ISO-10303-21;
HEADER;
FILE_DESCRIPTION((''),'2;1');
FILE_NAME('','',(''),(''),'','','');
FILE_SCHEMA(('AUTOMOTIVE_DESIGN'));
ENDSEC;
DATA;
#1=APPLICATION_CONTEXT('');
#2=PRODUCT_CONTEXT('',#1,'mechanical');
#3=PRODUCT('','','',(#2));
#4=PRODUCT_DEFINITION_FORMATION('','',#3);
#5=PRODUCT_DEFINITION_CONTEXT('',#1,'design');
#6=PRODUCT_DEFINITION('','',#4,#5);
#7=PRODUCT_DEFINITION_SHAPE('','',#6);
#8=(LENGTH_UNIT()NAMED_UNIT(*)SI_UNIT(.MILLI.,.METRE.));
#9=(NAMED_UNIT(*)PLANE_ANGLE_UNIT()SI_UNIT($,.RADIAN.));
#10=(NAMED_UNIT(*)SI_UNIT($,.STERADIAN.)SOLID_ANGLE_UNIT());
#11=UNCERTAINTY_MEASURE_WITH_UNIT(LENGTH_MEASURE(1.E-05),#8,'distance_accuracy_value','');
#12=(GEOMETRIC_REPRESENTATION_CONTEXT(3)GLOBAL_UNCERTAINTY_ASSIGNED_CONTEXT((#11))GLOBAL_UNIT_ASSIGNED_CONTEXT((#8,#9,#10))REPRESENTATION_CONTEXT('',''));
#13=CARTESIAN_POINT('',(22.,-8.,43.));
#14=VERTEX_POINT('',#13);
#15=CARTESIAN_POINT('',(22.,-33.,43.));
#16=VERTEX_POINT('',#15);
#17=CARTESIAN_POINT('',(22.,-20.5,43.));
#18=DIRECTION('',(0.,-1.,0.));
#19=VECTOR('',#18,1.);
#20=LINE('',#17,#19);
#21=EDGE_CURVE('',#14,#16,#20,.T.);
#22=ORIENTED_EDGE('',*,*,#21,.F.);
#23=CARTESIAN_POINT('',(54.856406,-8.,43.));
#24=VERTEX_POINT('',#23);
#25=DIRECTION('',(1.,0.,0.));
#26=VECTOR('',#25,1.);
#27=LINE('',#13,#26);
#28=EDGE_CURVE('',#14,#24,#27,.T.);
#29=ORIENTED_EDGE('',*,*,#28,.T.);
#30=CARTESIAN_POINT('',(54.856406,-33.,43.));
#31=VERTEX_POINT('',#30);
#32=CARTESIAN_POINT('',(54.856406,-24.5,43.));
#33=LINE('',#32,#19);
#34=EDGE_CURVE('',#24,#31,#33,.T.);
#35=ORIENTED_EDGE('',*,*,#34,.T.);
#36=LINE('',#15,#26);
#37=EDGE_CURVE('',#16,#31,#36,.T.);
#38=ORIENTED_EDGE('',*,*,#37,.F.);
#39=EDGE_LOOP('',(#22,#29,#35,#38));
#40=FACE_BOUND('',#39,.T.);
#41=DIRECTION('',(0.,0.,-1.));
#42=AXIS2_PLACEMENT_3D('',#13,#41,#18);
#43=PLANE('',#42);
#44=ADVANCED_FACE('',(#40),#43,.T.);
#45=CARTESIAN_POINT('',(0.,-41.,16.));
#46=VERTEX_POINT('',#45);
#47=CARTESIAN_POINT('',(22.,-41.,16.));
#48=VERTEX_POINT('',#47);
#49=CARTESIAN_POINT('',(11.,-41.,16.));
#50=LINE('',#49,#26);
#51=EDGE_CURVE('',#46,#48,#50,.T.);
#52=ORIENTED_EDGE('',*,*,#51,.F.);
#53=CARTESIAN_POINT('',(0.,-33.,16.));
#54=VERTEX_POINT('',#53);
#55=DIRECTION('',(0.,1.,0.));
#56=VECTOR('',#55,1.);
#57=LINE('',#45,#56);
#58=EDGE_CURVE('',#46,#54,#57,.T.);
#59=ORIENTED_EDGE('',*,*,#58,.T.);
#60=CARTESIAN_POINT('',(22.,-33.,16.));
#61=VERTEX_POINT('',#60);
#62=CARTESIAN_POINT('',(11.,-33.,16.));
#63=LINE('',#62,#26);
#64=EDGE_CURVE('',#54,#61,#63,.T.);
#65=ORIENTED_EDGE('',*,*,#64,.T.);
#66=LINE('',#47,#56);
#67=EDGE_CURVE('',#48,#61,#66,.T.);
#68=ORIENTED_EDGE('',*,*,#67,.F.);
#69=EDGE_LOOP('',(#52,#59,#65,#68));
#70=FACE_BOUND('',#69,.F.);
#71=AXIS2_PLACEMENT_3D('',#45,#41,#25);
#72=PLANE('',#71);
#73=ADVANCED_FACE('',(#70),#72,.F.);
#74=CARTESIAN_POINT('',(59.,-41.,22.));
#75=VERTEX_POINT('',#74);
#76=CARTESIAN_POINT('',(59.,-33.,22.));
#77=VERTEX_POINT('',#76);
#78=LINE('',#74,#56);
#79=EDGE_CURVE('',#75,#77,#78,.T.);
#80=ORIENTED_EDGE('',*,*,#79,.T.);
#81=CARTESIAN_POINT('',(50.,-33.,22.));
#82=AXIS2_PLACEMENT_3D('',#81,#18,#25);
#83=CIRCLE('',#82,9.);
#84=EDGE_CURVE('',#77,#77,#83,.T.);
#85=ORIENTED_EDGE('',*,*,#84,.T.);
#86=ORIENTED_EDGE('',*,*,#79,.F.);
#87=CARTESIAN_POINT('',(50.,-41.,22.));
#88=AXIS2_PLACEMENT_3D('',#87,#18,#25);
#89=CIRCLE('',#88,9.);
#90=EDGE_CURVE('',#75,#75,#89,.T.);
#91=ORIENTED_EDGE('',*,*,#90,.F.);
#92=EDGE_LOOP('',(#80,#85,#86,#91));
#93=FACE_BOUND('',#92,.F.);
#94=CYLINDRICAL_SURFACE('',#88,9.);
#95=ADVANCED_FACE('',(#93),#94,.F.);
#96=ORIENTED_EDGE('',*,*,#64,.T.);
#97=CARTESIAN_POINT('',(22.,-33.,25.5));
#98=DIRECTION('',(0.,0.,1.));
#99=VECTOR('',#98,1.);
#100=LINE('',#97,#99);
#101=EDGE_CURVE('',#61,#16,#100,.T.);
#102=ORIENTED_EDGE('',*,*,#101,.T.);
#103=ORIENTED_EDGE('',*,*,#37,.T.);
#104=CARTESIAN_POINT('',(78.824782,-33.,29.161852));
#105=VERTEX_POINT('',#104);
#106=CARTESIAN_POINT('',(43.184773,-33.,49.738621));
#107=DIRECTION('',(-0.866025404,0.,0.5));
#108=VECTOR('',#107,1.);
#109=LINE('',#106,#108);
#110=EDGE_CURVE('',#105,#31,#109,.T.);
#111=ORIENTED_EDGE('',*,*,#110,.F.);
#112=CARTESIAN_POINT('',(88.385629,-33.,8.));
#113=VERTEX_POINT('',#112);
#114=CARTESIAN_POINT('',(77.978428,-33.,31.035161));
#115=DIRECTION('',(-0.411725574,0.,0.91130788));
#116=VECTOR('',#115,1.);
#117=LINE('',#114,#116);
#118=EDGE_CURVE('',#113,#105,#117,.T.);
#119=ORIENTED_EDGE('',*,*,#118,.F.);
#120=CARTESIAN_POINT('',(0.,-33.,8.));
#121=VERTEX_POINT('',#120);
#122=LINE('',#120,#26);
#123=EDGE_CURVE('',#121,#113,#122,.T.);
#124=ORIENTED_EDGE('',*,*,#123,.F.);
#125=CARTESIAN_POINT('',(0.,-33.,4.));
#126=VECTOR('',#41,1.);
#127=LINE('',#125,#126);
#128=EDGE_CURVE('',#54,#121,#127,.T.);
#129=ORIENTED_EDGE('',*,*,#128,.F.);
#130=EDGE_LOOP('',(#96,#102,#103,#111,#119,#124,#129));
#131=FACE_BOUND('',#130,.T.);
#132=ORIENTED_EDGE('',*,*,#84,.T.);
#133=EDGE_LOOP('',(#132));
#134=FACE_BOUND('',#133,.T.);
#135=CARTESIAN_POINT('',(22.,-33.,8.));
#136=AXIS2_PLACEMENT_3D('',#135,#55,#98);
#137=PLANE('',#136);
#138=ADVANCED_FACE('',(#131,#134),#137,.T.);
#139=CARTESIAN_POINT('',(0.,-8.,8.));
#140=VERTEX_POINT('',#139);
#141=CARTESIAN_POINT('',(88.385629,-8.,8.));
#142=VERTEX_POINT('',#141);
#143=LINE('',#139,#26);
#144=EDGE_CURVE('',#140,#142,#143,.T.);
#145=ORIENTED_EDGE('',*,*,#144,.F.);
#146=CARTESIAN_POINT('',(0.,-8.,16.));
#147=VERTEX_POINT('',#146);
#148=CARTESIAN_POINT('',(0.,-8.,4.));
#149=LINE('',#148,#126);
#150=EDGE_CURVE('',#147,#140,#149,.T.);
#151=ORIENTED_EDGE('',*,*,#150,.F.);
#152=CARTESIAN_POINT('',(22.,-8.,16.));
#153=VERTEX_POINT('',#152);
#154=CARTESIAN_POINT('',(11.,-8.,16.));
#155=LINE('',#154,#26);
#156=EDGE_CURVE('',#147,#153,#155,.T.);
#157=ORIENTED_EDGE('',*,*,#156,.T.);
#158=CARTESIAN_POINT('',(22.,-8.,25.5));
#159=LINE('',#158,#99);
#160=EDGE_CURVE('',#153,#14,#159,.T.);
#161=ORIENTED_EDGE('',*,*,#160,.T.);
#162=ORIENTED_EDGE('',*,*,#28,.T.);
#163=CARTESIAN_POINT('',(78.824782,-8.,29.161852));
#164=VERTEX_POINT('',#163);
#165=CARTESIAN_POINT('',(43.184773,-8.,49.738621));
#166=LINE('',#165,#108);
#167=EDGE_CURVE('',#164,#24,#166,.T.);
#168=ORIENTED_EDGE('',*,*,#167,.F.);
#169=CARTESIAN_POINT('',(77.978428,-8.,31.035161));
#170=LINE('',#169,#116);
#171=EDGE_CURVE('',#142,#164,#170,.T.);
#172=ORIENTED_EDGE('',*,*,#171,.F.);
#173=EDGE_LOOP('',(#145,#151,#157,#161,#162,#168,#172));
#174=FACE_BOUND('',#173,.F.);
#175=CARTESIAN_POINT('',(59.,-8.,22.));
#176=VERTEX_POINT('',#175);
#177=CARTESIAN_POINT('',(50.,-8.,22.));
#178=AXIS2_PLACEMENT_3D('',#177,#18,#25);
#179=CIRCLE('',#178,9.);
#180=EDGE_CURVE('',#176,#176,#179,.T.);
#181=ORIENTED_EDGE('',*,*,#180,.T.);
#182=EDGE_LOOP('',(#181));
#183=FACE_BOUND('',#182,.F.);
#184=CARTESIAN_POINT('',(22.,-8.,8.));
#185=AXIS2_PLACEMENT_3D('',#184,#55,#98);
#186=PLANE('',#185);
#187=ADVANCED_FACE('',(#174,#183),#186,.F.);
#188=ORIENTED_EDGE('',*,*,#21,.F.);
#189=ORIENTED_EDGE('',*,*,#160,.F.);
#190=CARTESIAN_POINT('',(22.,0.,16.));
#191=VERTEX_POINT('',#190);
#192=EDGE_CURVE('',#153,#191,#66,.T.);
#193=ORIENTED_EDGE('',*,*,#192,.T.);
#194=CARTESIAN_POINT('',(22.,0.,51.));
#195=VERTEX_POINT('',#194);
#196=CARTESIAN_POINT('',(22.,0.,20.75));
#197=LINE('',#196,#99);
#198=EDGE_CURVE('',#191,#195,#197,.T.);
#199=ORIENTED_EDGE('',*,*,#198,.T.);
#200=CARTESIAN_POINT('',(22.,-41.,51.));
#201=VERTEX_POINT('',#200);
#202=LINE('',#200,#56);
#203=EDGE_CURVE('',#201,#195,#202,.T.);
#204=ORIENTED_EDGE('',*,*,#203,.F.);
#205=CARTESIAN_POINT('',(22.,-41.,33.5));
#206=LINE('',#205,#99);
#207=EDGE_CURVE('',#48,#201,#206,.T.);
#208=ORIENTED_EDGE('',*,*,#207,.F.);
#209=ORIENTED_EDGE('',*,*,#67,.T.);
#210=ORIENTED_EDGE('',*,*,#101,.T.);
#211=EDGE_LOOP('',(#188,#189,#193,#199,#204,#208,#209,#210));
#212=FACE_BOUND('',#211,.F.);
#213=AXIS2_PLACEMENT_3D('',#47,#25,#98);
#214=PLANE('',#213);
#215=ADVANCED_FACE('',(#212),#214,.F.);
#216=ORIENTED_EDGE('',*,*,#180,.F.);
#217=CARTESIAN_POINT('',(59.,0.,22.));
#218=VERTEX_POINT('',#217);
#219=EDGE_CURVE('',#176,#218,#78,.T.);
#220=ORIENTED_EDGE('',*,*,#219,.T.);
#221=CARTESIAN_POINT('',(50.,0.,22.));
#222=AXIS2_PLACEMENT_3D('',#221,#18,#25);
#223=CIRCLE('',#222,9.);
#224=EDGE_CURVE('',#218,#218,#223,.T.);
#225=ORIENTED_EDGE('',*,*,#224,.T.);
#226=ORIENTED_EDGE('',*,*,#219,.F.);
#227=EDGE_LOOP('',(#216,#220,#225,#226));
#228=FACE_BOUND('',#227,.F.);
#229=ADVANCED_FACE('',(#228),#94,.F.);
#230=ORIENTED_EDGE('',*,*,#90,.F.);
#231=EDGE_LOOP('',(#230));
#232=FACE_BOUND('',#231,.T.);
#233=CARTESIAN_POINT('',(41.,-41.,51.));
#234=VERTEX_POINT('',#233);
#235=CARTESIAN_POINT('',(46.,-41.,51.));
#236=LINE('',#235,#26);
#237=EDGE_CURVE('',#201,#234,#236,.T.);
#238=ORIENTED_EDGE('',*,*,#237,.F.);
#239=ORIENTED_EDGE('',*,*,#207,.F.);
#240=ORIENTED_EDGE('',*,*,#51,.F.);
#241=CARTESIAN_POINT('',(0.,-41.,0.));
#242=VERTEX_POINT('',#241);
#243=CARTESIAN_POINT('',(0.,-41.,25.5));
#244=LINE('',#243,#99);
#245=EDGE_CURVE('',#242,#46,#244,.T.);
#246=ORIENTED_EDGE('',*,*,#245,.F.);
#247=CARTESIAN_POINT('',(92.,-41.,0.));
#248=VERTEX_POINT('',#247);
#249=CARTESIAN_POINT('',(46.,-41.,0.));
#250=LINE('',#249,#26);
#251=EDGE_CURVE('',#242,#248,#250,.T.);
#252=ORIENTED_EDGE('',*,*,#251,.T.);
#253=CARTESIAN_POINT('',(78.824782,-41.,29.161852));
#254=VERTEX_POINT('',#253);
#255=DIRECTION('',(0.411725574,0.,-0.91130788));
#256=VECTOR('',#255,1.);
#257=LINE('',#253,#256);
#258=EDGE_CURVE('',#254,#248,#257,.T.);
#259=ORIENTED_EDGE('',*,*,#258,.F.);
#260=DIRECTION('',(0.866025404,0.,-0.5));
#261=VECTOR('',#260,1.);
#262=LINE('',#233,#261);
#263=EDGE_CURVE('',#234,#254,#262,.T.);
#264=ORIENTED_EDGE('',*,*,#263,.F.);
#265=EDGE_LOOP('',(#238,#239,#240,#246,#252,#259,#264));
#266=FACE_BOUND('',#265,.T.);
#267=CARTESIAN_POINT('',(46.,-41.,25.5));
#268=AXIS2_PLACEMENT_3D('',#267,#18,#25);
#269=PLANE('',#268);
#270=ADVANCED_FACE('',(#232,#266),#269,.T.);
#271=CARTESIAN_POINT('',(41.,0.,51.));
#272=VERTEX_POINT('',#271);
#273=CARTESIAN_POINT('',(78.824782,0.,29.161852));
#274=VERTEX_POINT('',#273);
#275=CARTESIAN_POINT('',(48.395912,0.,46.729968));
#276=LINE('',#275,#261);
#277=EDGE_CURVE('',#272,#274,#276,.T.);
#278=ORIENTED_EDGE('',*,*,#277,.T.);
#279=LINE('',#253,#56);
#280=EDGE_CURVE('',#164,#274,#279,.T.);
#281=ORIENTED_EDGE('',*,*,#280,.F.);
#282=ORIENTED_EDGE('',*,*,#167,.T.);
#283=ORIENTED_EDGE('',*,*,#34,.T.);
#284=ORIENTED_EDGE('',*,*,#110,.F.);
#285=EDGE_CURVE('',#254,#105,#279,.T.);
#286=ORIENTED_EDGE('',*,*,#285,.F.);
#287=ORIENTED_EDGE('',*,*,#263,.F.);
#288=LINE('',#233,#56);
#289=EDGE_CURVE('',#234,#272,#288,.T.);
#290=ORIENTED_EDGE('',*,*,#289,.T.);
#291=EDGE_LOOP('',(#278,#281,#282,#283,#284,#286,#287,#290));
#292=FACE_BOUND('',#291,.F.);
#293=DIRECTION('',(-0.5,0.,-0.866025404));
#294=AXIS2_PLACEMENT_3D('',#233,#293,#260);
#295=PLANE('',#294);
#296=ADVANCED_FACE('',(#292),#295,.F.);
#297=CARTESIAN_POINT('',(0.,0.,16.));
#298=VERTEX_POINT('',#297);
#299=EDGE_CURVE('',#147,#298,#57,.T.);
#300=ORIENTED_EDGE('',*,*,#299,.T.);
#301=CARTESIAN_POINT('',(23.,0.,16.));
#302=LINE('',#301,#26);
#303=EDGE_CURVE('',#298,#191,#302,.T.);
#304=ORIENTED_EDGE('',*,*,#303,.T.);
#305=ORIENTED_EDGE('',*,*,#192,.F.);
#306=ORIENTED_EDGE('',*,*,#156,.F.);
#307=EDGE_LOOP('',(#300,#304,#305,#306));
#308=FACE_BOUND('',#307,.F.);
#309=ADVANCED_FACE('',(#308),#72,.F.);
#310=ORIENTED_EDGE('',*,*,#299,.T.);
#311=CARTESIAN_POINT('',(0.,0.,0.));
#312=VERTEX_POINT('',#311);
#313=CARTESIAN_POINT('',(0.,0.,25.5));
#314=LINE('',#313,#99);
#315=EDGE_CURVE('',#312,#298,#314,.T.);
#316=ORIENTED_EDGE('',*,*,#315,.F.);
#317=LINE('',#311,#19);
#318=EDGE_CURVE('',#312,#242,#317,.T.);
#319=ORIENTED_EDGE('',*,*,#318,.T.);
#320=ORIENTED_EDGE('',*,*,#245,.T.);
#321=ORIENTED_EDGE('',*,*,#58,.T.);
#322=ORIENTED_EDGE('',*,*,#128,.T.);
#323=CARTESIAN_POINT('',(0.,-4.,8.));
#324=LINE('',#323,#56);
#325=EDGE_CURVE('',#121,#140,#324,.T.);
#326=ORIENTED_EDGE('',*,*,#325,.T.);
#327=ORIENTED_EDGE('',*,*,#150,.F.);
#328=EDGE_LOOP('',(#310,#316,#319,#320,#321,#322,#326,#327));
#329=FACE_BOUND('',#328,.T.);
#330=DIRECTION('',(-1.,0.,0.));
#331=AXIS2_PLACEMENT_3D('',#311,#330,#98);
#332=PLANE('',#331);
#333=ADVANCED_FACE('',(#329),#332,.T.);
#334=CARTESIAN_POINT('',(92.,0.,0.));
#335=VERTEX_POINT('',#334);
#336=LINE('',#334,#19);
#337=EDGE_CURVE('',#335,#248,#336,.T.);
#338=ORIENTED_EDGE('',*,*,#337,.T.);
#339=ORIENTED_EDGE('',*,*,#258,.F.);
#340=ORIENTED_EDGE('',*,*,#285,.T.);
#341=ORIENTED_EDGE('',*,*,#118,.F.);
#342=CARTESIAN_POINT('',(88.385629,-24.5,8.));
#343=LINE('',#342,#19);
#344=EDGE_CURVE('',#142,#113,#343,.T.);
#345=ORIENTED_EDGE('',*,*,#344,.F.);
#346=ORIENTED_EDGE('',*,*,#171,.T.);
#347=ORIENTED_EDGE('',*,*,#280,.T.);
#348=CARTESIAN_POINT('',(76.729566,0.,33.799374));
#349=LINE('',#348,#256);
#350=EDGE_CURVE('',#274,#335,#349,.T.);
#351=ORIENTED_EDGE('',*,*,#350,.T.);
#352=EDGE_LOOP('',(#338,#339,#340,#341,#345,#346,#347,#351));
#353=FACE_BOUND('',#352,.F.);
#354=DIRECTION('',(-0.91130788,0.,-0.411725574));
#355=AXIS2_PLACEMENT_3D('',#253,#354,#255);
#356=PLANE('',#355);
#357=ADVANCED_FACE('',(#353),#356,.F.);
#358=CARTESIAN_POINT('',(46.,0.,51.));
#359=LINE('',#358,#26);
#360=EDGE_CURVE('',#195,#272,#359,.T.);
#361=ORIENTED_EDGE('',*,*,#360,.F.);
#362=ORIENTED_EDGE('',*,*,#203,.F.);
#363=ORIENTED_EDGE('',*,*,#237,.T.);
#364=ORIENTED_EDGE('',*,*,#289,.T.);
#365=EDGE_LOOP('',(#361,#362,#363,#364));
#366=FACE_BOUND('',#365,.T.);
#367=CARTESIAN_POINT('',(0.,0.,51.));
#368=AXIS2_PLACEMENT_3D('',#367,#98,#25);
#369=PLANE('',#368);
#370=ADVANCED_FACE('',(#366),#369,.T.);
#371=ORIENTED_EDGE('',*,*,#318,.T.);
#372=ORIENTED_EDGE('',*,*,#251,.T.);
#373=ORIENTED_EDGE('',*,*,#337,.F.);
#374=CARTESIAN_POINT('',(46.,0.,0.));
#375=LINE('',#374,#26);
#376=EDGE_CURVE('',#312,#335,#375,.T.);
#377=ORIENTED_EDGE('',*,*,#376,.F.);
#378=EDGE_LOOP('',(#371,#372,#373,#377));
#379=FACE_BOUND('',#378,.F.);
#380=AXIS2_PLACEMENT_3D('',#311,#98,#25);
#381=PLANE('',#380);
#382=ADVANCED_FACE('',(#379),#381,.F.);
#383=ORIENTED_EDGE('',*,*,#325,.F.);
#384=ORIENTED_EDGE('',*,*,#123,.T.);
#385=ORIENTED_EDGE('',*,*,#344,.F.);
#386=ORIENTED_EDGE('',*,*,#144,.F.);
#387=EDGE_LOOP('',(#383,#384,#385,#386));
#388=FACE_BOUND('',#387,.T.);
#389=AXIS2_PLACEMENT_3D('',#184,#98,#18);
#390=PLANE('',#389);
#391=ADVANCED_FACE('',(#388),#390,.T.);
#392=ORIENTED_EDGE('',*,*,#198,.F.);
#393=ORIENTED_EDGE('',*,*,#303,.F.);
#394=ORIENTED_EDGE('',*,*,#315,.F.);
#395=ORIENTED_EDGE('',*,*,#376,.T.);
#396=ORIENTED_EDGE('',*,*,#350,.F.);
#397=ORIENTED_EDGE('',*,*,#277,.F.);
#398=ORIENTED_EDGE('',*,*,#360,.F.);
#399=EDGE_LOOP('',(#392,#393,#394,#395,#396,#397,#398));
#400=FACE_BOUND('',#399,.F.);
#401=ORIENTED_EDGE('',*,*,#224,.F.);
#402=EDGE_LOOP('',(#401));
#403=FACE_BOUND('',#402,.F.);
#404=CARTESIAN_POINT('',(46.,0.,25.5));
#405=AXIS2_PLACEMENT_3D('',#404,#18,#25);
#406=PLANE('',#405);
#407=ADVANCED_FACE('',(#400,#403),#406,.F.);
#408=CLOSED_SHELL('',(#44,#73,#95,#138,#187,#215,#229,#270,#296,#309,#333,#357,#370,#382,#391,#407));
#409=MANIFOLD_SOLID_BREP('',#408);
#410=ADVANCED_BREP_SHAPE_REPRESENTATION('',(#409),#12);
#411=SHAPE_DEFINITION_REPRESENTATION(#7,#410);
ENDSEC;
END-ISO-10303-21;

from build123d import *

# Parameters (mm, degrees)
F0_W          = 92
F0_H          = 51
F1_DEPTH      = 41
F2_W          = 22
F2_H          = 35
F3_DEPTH      = 41.001
F5_DEPTH      = 41.001
F6_R          = 9
F7_DEPTH      = 41.001
F8_W          = 25
F8_H          = 35
F9_DEPTH      = 70.001
F9_DEPTH_BACK = 25.4


with BuildPart() as f1:
    # F0 (on Front) → F1 (new body)
    with BuildSketch(Plane.XZ):
        with Locations((46, 25.5)):
            Rectangle(F0_W, F0_H)
    extrude(amount=F1_DEPTH)

    # F2 (on face) → F3 (cut, through all)
    with BuildSketch(Plane.XZ.offset(41)):
        with Locations((11, 33.5)):
            Rectangle(F2_W, F2_H)
    extrude(amount=-F3_DEPTH, mode=Mode.SUBTRACT)

    # F4 (on face) → F5 (cut, through all)
    with BuildSketch(Plane.XZ.offset(41)):
        Polygon((92, 51), (41, 51), (78.8247816226, 29.1618521481), (92, 0), align=None)
    extrude(amount=-F5_DEPTH, mode=Mode.SUBTRACT)

    # F6 (on face) → F7 (cut, through all)
    with BuildSketch(Plane.XZ.offset(41)):
        with Locations((50, 22)):
            Circle(F6_R)
    extrude(amount=-F7_DEPTH, mode=Mode.SUBTRACT)

    # F8 (on face) → F9 (cut, two sides)
    with BuildSketch(Plane(origin=(22, 0, 0), x_dir=(0, -1, 0), z_dir=(-1, 0, 0))) as f9_sk:
        with Locations((20.5, 25.5)):
            Rectangle(F8_W, F8_H)
    extrude(amount=-F9_DEPTH, mode=Mode.SUBTRACT)
    extrude(f9_sk.sketch, amount=F9_DEPTH_BACK, mode=Mode.SUBTRACT)


solid = f1.part
